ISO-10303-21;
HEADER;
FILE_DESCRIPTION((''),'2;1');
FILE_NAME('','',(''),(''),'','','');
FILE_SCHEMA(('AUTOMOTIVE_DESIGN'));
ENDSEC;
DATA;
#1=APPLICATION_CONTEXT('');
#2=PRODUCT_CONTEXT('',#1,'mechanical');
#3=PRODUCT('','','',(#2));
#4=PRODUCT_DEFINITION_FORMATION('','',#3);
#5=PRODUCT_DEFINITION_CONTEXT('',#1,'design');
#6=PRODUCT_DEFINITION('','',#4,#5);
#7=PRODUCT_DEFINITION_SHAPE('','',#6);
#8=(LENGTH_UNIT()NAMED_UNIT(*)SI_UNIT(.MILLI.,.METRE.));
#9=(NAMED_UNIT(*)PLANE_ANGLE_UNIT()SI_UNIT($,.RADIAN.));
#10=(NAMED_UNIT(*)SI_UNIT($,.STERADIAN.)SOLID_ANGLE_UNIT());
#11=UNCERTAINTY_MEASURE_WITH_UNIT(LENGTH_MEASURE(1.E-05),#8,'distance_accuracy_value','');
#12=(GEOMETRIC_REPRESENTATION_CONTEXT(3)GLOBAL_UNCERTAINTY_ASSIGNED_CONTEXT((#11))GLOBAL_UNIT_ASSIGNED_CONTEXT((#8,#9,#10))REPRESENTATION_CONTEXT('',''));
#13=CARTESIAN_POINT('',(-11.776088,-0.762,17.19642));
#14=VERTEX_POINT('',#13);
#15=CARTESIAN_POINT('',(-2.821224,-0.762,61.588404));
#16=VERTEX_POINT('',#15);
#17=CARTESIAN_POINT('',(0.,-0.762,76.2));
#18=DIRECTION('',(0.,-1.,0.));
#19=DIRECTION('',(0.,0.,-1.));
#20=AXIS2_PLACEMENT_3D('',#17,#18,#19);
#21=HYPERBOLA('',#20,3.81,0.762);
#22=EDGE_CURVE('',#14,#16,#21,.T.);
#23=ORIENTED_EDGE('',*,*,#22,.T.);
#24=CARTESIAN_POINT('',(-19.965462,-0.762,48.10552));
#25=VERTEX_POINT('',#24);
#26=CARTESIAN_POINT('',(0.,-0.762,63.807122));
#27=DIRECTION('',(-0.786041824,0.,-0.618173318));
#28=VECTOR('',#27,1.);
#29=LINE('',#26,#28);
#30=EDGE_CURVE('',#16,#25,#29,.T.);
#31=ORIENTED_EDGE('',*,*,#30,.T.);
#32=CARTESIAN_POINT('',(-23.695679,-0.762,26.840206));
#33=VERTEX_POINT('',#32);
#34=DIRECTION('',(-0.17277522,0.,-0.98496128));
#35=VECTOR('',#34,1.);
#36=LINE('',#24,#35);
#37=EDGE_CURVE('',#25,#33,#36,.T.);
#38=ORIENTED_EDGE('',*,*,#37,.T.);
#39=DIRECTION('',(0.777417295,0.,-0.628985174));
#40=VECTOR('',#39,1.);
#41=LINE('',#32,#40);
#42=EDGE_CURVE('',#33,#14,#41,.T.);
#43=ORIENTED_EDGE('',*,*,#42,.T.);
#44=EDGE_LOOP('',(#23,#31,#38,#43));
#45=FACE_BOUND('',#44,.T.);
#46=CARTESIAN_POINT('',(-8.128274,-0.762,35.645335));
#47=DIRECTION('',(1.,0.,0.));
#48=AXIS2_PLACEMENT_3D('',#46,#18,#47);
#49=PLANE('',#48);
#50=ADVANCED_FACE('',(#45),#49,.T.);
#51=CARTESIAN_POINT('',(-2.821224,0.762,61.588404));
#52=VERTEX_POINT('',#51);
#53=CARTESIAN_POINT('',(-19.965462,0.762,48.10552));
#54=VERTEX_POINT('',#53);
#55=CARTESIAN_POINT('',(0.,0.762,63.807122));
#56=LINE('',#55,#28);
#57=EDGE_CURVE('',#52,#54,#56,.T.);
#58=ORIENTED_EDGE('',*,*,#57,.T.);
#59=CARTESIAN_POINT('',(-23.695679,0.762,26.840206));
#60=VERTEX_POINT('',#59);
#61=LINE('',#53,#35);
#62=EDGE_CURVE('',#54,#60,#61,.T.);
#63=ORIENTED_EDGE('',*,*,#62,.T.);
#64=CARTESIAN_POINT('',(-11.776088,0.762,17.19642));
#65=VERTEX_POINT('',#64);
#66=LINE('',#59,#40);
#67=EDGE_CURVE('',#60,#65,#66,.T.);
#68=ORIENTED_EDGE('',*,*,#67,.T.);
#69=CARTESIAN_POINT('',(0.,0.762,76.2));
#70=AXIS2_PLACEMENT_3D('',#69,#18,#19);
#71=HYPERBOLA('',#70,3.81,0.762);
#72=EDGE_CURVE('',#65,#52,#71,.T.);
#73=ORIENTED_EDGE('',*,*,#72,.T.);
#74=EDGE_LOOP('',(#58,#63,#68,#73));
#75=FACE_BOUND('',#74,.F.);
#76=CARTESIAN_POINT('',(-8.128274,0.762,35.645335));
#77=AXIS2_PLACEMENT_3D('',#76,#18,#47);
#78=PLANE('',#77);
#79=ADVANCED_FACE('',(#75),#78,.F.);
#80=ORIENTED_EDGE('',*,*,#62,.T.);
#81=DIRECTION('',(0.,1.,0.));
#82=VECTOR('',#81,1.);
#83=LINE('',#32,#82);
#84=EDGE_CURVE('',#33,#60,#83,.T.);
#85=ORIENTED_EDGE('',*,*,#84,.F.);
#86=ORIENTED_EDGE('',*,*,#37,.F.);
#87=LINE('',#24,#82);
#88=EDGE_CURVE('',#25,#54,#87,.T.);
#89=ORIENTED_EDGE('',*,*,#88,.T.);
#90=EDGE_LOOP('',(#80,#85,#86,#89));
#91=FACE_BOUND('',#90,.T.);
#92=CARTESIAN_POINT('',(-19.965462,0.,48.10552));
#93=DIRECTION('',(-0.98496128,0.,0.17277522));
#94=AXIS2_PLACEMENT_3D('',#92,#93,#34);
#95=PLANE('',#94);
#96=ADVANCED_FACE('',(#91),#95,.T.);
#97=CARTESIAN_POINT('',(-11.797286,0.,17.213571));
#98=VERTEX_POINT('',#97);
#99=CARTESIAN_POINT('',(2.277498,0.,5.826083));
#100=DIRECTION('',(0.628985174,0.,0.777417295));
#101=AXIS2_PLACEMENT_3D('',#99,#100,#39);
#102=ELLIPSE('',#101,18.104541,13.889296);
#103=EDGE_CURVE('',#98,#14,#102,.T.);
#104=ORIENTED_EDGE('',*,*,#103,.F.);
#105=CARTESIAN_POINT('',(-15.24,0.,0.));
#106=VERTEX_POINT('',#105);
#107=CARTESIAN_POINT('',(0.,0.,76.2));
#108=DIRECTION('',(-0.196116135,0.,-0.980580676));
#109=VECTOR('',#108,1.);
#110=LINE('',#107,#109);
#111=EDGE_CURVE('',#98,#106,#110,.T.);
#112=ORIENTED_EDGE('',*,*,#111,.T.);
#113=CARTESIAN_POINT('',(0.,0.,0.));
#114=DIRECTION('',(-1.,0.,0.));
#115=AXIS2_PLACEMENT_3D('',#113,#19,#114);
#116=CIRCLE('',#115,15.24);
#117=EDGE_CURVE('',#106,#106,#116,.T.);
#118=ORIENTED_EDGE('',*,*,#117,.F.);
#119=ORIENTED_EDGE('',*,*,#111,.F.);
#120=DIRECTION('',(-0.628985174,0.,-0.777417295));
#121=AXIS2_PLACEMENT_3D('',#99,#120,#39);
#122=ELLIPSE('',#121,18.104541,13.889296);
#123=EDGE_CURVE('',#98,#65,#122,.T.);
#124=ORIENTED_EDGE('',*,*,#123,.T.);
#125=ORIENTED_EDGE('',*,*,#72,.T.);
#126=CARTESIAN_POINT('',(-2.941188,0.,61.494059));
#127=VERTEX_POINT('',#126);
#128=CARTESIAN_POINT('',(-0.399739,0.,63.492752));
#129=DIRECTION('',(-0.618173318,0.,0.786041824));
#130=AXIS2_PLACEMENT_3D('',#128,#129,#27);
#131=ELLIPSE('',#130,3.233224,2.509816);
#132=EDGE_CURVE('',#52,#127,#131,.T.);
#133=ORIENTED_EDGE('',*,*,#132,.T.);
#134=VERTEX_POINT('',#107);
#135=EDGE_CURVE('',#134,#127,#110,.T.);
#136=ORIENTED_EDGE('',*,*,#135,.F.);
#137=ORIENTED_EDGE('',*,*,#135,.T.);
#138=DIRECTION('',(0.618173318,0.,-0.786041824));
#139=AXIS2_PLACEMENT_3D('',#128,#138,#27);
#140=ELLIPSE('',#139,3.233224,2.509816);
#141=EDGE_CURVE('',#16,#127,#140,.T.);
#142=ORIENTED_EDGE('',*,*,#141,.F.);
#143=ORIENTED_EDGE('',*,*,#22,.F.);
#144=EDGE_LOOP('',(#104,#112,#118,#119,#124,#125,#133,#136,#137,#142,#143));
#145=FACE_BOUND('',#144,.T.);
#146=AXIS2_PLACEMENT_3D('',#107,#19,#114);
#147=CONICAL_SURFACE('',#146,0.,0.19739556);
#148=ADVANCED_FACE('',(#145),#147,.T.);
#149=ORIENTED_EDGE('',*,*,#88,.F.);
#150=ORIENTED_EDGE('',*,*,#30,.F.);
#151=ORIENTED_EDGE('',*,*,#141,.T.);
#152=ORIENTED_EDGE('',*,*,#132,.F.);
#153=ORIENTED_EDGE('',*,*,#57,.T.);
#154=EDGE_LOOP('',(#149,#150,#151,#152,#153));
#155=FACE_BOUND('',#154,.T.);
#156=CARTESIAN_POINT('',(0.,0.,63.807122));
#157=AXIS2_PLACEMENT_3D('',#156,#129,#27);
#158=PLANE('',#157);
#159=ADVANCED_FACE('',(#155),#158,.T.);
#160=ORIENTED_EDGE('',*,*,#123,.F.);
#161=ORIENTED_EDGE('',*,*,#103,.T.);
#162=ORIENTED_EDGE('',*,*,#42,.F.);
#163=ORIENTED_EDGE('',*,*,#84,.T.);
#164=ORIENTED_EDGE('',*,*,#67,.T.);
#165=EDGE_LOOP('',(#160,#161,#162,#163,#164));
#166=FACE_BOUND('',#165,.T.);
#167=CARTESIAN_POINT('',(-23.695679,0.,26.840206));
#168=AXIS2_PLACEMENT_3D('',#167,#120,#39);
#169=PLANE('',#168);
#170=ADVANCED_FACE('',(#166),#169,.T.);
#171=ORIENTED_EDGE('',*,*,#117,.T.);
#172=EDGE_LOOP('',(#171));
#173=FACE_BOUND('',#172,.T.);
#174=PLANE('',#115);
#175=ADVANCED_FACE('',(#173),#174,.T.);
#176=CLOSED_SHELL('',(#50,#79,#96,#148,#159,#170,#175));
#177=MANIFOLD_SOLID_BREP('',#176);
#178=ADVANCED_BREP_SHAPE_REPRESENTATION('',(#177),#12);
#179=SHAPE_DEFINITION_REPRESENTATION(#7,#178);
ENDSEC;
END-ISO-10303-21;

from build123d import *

# Parameters (mm, degrees)
F3_DEPTH      = 0.762
F3_DEPTH_BACK = 0.762


with BuildPart() as f1:
    # F0 (on Front) → F1 (revolve)
    with BuildSketch(Plane.XZ):
        Polygon((-15.24, 0), (0, 0), (0, 76.2), align=None)
    revolve(axis=Axis((0, 0, 38.1), (0, 0, -1)))

    # F2 (on Front) → F3 (join, two sides)
    with BuildSketch(Plane.XZ) as f3_sk:
        Polygon((0, 7.668738), (0, 63.807122), (-19.965462, 48.10552), (-23.695679, 26.840206), align=None)
    extrude(amount=F3_DEPTH)
    extrude(f3_sk.sketch, amount=-F3_DEPTH_BACK)


solid = f1.part
